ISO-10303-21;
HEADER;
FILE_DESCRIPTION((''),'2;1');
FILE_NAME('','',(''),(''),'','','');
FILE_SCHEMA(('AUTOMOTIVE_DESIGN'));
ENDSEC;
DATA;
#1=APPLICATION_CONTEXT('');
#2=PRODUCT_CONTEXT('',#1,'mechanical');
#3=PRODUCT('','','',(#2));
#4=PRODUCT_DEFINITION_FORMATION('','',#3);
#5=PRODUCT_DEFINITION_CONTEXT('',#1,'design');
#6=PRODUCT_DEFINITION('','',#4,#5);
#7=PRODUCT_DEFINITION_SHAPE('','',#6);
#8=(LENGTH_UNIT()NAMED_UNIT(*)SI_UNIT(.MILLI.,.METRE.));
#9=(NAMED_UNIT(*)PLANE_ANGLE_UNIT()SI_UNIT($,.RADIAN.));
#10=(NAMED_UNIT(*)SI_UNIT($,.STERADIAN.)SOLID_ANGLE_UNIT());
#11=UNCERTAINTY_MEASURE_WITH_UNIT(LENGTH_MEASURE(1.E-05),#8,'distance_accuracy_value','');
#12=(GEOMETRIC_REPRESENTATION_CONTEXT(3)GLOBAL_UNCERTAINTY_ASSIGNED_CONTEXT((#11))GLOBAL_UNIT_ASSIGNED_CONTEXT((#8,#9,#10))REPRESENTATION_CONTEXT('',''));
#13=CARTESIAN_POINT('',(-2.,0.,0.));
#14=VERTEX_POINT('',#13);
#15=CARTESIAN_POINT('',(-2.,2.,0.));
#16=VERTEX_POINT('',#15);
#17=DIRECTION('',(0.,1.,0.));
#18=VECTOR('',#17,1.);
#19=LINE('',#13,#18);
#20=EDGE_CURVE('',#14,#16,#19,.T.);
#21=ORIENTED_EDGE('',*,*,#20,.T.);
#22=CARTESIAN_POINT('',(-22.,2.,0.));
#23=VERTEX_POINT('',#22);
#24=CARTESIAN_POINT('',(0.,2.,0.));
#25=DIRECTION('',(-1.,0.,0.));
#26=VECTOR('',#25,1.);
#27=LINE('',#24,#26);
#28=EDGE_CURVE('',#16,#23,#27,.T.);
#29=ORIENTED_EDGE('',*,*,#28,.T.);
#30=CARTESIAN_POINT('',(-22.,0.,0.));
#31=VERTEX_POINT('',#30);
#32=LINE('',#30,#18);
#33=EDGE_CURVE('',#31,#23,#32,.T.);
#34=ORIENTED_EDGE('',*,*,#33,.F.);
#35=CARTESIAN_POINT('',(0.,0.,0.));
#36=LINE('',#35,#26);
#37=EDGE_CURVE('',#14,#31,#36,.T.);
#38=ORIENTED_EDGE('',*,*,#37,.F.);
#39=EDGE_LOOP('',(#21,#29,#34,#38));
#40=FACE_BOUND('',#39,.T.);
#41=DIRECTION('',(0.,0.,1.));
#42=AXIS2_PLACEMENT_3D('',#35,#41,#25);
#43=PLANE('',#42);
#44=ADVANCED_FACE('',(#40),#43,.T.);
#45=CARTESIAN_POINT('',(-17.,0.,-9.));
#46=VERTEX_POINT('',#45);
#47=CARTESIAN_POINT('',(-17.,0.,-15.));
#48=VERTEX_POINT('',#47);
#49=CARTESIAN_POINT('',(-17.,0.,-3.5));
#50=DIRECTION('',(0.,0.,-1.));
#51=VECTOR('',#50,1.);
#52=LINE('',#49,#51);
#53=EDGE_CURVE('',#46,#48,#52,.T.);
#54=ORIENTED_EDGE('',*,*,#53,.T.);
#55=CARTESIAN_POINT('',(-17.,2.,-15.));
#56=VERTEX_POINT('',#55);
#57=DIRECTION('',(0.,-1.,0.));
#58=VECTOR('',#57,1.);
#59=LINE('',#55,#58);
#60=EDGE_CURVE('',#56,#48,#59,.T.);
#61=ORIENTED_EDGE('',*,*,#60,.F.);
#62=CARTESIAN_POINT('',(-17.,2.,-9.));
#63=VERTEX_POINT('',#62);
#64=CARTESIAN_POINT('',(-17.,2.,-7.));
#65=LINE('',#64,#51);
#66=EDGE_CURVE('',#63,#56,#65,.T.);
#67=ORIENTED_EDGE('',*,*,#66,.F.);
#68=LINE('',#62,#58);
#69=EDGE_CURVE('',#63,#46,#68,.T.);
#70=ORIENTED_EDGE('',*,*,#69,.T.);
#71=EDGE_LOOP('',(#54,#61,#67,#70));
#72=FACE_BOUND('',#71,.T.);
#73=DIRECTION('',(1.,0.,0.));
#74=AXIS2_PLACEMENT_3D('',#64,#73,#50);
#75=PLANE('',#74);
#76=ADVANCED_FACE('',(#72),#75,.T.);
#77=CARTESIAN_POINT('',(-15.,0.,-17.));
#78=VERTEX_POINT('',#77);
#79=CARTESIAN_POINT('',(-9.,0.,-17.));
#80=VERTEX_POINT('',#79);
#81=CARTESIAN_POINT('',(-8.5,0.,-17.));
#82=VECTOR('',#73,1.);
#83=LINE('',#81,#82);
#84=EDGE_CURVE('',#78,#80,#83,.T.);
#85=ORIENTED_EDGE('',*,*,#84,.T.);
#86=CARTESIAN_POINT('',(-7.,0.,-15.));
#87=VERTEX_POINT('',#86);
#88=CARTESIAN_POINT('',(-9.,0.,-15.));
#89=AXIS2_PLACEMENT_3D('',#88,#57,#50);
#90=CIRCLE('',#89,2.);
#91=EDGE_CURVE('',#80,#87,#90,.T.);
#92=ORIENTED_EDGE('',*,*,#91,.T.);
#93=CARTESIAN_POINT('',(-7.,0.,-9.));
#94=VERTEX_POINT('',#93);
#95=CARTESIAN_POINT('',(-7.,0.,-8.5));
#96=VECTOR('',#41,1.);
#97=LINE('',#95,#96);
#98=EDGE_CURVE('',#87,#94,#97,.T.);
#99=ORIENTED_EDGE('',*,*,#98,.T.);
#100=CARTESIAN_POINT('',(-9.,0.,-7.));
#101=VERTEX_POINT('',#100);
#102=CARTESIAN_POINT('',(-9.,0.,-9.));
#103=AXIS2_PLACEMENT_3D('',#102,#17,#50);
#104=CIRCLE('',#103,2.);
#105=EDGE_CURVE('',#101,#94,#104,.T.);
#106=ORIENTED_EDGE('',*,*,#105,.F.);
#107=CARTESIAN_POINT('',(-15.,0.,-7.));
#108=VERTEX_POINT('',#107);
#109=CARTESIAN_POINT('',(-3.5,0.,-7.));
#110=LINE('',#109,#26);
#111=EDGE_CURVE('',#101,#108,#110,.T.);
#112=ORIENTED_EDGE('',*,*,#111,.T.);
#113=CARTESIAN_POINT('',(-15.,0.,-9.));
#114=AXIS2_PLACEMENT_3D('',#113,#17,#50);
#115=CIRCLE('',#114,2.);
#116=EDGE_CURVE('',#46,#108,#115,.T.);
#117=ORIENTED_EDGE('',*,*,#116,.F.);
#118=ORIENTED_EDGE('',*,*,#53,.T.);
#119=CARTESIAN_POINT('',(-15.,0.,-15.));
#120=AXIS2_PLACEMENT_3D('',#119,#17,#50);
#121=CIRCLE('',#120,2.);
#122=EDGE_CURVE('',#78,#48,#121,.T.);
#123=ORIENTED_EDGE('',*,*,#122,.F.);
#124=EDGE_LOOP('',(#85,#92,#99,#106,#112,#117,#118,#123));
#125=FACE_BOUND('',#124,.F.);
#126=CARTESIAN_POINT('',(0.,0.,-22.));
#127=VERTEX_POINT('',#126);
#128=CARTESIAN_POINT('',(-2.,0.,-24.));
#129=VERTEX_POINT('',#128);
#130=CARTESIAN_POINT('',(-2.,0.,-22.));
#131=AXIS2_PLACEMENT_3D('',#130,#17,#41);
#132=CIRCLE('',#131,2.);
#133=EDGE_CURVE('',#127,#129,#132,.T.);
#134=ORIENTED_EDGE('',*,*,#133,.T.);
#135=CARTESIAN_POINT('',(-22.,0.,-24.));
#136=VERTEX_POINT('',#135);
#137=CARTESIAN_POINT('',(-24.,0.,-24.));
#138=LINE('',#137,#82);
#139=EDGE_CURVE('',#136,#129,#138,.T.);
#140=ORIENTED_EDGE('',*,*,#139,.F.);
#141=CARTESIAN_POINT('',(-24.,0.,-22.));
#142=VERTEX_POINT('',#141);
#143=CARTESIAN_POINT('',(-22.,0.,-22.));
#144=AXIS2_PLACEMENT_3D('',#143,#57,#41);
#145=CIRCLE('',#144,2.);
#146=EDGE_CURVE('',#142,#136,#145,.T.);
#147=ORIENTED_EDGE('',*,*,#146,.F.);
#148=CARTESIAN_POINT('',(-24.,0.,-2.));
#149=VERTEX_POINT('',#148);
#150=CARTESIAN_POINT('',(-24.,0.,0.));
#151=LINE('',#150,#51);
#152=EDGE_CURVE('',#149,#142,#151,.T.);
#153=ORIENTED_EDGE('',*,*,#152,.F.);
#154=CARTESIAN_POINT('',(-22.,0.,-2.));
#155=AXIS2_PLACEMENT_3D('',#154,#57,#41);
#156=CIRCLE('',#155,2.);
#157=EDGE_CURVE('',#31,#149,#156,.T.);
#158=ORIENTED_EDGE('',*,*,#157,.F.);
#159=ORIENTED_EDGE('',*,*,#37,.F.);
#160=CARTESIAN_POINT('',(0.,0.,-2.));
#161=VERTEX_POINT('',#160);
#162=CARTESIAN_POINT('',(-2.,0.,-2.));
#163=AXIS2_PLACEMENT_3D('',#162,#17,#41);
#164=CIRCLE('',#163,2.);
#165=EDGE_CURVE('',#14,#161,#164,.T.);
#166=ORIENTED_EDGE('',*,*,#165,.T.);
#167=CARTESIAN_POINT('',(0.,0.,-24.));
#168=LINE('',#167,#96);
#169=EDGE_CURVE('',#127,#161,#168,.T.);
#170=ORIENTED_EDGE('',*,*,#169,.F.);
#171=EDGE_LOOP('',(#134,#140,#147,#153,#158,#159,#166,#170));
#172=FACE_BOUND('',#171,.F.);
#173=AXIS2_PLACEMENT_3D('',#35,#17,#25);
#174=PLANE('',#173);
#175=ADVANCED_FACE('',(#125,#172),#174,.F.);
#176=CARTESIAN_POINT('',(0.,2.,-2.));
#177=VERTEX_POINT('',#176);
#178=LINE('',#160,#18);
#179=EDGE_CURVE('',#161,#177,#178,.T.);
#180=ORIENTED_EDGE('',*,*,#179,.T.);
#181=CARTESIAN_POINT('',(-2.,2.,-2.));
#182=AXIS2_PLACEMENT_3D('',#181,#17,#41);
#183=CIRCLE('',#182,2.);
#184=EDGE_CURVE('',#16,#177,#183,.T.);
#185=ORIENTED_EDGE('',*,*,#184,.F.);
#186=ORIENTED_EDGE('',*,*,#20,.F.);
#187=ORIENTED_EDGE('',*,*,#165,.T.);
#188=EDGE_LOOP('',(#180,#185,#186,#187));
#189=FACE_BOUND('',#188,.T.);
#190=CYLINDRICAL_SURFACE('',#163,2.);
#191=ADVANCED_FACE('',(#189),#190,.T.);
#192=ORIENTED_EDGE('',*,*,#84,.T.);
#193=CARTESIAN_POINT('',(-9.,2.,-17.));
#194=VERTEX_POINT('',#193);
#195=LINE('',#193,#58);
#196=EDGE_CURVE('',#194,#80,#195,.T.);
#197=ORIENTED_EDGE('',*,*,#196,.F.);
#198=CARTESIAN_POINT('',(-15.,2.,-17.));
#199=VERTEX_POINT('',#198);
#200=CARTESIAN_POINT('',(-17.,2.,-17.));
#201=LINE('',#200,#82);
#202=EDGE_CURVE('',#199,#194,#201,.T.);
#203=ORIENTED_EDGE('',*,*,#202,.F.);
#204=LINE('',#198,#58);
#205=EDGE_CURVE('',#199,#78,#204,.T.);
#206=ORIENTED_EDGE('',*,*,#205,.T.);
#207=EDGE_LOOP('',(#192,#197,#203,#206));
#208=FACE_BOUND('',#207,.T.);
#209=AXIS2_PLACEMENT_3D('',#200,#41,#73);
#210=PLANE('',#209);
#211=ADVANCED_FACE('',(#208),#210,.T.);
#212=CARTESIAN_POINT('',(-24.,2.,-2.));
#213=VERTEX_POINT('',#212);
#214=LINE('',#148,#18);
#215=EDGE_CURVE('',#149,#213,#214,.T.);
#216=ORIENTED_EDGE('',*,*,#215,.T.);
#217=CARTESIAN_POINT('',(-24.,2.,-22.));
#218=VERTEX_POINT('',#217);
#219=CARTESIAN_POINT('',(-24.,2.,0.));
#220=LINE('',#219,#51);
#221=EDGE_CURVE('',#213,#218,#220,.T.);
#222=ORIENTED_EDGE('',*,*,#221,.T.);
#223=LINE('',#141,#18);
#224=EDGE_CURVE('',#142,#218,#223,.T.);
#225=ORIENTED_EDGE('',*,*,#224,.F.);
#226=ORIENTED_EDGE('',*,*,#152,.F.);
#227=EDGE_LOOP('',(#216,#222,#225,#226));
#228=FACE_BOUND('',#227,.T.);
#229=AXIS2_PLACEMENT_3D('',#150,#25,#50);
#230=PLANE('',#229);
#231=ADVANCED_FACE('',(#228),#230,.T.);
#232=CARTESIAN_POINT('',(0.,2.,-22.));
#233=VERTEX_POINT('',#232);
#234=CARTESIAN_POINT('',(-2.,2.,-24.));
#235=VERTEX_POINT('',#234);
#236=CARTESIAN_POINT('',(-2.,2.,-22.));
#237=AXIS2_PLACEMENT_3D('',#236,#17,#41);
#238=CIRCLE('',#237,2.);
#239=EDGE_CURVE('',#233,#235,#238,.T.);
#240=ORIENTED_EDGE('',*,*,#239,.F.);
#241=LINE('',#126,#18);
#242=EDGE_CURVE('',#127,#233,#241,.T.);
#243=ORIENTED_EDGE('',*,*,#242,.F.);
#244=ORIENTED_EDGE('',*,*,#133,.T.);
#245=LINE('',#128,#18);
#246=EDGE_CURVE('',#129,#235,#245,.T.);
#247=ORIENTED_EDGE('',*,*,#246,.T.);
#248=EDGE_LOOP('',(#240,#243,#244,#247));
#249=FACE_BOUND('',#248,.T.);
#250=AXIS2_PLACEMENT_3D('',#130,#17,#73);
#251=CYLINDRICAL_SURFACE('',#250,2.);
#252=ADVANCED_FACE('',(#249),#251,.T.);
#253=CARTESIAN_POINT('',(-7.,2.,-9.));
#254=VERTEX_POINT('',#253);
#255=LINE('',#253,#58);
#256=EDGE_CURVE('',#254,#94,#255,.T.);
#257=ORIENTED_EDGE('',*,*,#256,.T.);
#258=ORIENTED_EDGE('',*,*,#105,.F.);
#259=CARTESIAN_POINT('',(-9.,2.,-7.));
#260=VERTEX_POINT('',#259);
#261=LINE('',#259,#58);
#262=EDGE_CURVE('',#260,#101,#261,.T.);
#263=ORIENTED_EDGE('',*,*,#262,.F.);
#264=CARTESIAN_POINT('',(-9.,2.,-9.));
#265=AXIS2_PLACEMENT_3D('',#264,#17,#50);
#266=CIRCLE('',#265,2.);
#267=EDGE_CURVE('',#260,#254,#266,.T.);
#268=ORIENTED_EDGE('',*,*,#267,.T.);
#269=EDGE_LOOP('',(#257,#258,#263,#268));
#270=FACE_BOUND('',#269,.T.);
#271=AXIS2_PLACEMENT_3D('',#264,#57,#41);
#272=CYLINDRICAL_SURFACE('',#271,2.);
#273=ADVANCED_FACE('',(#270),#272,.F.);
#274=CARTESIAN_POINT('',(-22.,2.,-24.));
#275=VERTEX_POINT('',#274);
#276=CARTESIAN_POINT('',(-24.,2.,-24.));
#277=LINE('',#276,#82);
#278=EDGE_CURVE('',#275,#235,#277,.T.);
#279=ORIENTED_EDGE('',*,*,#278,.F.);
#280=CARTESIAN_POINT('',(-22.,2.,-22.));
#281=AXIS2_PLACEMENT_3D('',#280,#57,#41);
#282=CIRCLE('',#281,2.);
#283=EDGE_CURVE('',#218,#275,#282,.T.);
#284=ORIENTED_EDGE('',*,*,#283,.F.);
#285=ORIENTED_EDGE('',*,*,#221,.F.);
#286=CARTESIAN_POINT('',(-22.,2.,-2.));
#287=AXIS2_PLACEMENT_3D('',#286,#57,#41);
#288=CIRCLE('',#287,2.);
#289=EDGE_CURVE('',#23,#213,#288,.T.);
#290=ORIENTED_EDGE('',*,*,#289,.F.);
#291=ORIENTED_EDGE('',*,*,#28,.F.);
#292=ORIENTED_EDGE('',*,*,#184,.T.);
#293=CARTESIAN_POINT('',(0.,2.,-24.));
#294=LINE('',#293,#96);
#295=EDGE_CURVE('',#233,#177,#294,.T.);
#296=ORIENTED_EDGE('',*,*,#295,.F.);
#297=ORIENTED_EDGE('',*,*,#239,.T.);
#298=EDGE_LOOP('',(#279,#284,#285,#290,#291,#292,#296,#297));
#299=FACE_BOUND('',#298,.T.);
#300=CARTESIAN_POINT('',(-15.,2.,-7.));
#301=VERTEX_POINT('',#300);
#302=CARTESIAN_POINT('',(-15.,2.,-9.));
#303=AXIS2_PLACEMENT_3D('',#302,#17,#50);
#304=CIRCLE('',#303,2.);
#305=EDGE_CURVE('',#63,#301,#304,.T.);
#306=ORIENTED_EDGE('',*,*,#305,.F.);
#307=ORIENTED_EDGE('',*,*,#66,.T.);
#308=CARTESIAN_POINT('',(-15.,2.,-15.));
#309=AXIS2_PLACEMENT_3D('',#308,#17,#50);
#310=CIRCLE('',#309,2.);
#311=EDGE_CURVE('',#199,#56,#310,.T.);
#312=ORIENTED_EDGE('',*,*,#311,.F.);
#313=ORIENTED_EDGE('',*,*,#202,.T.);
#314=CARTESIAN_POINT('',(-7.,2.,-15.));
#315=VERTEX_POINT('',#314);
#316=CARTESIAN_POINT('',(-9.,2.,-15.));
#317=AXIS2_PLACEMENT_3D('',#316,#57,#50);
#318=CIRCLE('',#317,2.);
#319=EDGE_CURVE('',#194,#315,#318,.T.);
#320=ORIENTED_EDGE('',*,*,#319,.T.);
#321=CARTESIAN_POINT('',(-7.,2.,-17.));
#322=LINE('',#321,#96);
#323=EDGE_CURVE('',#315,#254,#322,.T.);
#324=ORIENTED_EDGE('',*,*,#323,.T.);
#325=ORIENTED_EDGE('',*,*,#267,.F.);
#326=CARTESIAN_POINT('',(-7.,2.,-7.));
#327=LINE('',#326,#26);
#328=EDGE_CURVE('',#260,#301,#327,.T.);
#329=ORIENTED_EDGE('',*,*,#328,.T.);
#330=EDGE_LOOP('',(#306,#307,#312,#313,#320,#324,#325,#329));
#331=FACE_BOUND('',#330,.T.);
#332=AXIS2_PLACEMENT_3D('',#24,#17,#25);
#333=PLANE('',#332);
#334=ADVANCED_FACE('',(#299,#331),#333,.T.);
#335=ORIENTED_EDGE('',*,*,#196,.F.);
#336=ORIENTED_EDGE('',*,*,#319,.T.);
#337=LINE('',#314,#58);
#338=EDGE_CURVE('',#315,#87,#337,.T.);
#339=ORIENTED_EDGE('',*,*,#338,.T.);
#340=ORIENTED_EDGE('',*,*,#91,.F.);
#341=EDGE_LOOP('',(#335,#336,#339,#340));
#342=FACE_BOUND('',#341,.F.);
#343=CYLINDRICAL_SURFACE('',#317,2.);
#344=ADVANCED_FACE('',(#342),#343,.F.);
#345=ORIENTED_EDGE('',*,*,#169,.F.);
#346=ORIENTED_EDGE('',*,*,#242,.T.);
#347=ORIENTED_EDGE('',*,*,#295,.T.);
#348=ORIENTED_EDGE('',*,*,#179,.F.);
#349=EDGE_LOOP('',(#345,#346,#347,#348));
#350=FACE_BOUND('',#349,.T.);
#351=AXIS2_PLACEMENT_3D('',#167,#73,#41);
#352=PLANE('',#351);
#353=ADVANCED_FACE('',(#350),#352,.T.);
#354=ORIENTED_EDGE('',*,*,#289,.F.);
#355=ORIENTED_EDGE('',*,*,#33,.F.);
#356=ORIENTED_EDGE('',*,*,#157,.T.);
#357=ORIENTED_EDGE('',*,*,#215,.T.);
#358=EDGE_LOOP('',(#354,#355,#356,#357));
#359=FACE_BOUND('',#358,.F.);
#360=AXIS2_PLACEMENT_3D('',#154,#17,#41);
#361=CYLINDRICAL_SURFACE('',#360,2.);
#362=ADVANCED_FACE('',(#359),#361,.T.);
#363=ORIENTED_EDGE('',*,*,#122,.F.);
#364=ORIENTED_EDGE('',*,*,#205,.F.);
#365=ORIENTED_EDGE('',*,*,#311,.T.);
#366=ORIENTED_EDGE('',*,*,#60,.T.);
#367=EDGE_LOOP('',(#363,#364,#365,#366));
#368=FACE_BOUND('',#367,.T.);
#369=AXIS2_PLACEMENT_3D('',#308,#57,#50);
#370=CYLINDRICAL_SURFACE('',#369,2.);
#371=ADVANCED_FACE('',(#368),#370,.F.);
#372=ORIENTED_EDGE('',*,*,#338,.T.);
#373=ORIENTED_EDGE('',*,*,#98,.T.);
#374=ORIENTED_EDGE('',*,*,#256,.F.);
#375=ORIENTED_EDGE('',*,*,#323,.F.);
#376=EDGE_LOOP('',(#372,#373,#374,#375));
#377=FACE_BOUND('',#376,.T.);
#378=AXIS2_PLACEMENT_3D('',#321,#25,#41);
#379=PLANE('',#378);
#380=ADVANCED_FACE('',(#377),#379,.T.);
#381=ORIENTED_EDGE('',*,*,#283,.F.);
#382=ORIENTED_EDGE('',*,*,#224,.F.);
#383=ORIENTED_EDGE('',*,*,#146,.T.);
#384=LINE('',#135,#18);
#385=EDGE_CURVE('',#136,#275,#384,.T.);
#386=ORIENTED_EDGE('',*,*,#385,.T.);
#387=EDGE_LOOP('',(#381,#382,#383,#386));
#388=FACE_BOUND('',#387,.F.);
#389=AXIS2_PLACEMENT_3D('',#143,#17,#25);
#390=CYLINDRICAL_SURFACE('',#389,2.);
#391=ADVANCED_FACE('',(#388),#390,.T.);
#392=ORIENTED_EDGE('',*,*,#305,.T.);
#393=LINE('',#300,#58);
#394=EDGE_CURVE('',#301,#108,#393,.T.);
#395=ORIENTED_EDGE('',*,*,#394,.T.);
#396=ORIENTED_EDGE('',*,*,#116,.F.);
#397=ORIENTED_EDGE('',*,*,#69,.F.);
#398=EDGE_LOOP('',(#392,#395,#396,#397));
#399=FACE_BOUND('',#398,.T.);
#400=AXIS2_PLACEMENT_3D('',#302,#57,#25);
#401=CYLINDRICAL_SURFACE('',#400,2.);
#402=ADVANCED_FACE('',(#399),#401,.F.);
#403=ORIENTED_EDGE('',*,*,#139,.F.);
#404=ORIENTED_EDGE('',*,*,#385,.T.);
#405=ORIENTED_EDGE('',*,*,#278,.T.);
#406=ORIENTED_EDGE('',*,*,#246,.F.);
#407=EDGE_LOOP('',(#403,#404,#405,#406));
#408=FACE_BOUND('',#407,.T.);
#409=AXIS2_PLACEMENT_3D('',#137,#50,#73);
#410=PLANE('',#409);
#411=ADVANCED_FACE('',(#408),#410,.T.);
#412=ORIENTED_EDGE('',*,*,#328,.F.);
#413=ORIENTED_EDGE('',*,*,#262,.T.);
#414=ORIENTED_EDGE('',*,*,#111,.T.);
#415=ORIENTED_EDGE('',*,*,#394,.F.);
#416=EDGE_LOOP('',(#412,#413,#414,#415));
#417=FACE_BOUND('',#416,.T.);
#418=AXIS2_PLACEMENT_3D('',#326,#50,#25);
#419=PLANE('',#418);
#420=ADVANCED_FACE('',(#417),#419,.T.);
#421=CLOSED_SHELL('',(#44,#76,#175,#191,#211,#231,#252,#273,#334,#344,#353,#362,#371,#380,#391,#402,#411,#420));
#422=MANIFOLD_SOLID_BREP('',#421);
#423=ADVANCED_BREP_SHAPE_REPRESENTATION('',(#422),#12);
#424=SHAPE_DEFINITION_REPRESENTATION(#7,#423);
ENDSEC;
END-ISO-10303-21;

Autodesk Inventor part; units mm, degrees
ref_plane "YZ Plane" through (0, 0, 0) normal (1, 0, 0) x (0, 1, 0)
ref_plane "XZ Plane" through (0, 0, 0) normal (0, 1, 0) x (-1, 0, 0)
ref_plane "XY Plane" through (0, 0, 0) normal (0, 0, 1) x (1, 0, 0)
sketch "Sketch1" plane through (0, 0, 0) normal (0, 1, 0) x (-1, 0, 0)
  line L0 (0, 0) -> (24, 0)
  line L1 (24, 0) -> (24, -24)
  line L2 (24, -24) -> (0, -24)
  line L3 (0, -24) -> (0, 0)
  dimension "d0" = 24
  dimension "d1" = 24
extrude "Extrusion1" add sketch "Sketch1" along normal blind 2
sketch "Sketch2" plane through (0, 2, 0) normal (0, 1, 0) x (1, 0, 0)
  line L0 (0, 24) -> (-24, 24) projected
  line L1 (-24, 0) -> (0, 0) projected
  line L2 (-24, 24) -> (0, 0)
  line L3 (0, 24) -> (-24, 0)
  line L4 (-17, 17) -> (-7, 17)
  line L5 (-7, 17) -> (-7, 7)
  line L6 (-7, 7) -> (-17, 7)
  line L7 (-17, 7) -> (-17, 17)
  line L8 (-17, 17) -> (-7, 7) construction
  line L9 (-7, 17) -> (-17, 7) construction
  point P0 (-12, 12)
  point P1 (-12, 12)
  dimension "d4" = 10
extrude "Extrusion2" cut sketch "Sketch2" against normal through all contours L5 L2 L3 | L3 L2 L4 | L2 L3 L7 | L2 L6 L3
fillet "Fillet1" radius 2 8 edges at (0, 1, 0) (0, 1, -24) (-24, 1, 0) (-24, 1, -24) (-7, 1, -17) (-17, 1, -17) (-17, 1, -7) (-7, 1, -7)
properties part number "hot_glue_mashroom"
